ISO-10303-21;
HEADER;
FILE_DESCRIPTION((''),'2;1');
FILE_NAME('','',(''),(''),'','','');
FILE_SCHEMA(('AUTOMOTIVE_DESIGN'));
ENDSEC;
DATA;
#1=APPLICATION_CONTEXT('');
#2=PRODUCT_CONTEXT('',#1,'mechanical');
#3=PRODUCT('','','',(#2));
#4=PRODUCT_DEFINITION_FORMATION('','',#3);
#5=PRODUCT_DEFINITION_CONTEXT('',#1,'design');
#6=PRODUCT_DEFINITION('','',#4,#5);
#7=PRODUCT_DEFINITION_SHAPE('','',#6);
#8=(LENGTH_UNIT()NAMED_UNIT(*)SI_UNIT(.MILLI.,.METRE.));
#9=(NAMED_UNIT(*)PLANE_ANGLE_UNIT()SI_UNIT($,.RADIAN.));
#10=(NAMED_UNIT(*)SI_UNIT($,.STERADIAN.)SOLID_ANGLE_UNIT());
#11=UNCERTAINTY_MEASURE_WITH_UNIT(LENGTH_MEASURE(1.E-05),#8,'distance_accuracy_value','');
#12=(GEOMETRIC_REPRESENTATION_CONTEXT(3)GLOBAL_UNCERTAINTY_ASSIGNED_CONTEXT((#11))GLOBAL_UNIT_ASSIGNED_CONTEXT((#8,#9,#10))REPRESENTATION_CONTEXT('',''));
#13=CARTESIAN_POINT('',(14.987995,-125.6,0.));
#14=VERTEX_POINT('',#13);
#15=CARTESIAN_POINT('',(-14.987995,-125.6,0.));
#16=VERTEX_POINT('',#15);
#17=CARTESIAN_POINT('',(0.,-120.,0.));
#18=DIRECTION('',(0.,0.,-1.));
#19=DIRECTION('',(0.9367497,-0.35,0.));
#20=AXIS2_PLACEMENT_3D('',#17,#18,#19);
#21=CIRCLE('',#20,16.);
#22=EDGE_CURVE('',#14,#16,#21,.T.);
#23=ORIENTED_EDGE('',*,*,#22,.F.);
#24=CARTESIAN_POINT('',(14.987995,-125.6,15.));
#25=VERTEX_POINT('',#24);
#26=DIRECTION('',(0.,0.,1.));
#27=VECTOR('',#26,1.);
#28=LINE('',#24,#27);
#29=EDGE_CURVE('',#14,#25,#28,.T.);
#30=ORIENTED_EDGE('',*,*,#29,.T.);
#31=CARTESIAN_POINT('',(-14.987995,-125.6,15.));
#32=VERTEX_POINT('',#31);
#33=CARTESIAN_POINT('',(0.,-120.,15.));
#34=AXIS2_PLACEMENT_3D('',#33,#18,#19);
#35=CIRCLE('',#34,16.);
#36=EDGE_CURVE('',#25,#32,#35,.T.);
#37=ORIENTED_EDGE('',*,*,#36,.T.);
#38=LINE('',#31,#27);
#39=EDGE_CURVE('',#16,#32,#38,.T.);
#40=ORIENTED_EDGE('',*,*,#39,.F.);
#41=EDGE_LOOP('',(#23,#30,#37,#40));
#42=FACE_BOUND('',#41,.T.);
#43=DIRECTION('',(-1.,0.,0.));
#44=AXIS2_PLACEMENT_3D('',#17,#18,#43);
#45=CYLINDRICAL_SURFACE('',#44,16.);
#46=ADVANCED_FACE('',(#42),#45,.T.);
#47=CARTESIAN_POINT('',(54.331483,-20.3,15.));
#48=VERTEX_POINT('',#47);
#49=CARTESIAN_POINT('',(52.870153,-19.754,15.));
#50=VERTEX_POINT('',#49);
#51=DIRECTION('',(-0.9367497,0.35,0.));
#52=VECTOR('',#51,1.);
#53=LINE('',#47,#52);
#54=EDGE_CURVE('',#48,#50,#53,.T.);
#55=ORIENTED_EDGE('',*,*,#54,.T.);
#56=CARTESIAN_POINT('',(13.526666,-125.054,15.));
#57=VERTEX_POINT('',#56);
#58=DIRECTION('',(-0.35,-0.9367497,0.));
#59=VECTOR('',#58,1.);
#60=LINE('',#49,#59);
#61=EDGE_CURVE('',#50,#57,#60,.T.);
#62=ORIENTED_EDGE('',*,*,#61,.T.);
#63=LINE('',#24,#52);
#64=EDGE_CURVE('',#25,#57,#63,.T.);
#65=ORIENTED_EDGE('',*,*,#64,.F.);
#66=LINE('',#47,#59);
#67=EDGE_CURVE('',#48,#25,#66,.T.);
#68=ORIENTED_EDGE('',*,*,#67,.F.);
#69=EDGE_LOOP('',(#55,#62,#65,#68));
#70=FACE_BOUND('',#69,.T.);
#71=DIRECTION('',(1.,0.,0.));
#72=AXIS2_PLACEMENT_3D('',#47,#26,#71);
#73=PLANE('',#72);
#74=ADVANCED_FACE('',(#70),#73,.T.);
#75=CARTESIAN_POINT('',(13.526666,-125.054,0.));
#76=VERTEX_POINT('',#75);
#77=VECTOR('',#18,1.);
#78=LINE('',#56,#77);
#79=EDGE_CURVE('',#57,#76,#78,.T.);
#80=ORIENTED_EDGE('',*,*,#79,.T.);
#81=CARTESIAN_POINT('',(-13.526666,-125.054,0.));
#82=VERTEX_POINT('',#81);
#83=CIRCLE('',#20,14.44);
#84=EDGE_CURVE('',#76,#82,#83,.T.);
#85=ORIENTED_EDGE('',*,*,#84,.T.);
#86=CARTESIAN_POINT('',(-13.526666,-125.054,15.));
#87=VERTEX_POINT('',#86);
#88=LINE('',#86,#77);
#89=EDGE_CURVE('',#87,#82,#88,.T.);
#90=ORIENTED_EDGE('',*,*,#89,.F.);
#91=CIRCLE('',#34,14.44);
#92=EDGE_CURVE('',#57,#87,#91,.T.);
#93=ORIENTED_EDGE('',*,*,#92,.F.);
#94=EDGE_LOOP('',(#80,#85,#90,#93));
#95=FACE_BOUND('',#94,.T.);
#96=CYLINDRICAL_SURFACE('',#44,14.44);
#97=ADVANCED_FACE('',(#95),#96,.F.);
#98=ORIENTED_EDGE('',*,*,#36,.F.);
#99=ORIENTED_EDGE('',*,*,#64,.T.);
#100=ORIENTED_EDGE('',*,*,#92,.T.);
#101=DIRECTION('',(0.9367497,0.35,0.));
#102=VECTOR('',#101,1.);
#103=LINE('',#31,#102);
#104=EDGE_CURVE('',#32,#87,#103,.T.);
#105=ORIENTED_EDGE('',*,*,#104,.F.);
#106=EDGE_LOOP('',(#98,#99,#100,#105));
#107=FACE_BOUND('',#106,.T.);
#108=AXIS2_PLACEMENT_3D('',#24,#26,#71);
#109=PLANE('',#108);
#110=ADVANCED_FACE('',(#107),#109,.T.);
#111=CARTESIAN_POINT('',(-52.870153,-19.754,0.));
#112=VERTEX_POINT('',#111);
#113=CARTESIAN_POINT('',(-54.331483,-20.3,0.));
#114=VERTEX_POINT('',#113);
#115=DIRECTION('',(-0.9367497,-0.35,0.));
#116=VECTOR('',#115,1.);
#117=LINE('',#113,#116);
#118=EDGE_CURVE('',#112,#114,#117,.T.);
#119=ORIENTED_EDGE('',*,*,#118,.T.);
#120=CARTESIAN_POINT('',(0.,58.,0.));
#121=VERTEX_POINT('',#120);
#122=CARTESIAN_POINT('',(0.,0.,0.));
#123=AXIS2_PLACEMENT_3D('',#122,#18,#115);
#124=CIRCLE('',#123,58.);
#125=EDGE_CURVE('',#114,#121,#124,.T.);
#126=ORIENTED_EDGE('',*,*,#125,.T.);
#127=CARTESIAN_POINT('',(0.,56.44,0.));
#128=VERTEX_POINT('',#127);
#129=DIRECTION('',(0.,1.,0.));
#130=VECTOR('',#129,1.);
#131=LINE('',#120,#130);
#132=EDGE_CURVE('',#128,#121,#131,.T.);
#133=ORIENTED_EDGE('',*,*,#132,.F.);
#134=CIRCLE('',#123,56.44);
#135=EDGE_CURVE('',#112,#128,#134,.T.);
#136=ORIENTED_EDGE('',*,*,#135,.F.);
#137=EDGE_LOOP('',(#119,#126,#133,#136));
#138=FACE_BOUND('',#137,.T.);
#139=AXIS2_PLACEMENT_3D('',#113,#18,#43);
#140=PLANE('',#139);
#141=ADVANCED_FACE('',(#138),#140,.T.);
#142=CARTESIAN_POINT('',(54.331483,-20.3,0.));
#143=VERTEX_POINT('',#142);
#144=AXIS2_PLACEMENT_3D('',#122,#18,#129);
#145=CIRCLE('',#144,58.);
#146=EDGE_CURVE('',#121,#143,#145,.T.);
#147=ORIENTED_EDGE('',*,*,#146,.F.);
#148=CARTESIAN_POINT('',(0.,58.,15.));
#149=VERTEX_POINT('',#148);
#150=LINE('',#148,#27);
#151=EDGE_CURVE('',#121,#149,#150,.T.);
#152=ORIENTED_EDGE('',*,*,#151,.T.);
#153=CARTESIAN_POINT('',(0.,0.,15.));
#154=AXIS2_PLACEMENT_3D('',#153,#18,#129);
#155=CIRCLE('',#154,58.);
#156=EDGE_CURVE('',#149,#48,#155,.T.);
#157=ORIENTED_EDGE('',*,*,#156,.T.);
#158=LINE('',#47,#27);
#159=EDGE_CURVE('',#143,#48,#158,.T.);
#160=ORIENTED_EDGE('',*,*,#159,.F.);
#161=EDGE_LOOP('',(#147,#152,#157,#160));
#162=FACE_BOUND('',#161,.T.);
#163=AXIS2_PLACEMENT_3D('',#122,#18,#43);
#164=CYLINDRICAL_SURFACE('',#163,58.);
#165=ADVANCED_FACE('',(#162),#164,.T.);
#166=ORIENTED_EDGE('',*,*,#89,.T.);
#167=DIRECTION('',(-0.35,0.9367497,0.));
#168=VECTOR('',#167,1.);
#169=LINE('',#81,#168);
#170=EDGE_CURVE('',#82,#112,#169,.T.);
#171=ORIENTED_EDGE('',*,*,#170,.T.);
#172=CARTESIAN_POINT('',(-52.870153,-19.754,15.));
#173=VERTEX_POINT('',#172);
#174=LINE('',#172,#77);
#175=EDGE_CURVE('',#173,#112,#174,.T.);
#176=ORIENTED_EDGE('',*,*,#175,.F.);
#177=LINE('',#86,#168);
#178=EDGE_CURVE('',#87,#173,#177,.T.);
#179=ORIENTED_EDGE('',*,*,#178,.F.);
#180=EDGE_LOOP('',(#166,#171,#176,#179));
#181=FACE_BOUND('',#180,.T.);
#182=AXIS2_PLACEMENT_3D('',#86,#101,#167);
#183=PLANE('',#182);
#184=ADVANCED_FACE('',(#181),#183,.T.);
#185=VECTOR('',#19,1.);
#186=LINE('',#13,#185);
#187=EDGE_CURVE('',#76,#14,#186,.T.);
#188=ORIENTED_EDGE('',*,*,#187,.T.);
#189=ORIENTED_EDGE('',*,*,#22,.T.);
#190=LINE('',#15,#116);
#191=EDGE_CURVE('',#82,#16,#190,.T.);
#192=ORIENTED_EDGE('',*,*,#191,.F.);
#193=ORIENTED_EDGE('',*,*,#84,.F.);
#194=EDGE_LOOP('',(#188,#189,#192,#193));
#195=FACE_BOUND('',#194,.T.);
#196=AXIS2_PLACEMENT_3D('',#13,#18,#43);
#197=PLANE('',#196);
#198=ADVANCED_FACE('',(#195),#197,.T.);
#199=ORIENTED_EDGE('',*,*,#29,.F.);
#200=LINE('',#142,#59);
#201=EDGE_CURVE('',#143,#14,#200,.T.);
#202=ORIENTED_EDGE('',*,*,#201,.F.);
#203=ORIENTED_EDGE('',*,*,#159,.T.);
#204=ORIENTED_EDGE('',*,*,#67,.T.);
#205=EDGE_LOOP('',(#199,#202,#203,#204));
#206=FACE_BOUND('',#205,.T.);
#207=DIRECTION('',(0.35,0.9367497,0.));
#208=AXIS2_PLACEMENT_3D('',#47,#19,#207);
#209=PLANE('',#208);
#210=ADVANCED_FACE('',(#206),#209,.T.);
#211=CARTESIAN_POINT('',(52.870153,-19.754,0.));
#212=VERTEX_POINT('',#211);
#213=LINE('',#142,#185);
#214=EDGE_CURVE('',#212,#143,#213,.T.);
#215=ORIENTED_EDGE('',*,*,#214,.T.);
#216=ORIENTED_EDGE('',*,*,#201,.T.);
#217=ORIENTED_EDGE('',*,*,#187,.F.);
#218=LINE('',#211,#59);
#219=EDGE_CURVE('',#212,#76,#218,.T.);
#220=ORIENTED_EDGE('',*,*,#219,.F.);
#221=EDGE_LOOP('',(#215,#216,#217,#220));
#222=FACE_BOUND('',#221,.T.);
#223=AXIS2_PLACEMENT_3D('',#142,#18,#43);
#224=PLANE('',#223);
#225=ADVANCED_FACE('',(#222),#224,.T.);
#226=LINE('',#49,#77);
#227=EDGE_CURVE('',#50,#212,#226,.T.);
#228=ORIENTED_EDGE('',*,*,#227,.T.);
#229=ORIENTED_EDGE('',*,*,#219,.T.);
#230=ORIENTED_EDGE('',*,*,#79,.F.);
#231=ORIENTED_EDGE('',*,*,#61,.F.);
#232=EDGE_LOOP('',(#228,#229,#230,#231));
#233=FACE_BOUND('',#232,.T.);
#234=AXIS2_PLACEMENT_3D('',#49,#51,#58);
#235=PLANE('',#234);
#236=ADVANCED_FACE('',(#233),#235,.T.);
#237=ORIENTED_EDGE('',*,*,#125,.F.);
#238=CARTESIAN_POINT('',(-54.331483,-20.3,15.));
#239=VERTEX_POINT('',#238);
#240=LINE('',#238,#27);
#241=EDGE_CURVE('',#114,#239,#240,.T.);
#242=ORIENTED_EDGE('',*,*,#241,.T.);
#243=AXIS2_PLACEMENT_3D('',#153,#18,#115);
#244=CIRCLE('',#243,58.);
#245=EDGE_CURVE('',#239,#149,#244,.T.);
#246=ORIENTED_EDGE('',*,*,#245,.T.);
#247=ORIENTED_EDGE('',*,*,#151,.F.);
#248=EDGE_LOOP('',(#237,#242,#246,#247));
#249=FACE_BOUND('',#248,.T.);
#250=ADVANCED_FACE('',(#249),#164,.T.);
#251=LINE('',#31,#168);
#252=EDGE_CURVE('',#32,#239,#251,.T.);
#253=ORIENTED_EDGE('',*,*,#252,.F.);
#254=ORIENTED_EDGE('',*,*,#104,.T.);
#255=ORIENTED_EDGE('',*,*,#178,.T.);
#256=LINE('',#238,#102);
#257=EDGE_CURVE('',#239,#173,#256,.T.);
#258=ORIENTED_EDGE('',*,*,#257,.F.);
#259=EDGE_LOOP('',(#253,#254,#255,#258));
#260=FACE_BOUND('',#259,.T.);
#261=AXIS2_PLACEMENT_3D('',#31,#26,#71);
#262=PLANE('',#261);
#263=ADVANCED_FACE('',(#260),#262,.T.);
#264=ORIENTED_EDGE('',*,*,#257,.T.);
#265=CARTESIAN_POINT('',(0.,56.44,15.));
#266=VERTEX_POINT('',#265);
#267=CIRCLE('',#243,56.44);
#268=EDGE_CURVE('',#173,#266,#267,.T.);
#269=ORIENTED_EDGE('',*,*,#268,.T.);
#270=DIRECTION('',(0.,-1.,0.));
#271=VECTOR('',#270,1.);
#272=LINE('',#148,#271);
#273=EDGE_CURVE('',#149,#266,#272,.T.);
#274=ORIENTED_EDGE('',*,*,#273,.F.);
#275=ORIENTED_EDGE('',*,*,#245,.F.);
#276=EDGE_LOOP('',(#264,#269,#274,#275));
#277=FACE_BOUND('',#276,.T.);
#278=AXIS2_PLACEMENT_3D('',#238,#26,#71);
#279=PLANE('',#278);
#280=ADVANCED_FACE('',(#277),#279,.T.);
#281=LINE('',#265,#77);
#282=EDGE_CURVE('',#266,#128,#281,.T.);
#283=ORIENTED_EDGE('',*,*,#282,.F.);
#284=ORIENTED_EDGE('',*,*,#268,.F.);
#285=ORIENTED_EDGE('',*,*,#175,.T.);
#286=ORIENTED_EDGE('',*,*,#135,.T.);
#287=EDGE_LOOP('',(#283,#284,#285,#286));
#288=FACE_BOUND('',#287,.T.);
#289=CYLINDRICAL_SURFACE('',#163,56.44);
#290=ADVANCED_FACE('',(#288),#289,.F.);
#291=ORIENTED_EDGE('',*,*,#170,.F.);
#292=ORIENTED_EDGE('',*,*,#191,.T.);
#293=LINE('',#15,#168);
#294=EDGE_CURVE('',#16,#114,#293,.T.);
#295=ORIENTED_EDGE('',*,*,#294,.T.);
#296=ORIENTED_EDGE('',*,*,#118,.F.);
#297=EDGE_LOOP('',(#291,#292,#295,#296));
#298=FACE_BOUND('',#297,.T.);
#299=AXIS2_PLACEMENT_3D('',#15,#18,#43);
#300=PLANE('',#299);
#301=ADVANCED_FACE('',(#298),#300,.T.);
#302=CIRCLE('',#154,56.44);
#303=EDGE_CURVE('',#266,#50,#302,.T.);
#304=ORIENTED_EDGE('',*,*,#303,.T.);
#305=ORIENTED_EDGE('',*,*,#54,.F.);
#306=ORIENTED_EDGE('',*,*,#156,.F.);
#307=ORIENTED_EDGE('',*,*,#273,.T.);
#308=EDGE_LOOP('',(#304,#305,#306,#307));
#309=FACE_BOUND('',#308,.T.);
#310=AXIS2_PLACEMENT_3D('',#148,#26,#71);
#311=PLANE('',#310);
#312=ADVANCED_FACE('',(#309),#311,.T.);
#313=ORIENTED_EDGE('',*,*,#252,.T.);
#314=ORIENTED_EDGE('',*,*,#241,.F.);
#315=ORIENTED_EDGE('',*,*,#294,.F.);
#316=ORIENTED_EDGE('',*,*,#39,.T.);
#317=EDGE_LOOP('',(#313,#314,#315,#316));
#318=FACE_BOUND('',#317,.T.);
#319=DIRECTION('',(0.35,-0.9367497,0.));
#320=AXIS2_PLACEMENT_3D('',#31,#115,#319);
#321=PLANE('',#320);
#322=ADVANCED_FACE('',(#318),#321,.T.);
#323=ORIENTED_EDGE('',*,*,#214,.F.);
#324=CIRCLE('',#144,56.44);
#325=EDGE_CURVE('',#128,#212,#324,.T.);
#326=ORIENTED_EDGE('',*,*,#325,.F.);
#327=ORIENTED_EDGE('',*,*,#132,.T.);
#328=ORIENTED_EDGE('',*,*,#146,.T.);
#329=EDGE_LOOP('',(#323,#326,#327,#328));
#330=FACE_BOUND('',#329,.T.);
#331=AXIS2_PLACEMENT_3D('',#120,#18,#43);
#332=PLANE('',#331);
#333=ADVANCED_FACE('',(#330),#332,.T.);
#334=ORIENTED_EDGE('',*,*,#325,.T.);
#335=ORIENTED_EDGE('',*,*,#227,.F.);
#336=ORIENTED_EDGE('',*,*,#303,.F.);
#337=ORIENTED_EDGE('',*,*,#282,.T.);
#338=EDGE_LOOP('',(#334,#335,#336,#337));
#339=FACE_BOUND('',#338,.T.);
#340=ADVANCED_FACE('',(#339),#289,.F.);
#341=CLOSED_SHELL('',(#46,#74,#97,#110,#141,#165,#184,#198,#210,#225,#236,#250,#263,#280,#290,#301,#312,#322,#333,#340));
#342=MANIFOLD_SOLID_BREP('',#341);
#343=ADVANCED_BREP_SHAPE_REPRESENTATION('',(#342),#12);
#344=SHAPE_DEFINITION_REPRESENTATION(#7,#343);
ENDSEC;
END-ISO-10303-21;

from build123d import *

# Parameters (mm, degrees)
SKETCH_2_W = 15
SKETCH_2_H = 1.56


with BuildPart() as part:
    # По траектории1: sweep along a path in Эскиз1
    with BuildLine(Plane.XY) as sweep_1_path:
        Line((-54.331482586, -20.3), (-14.987995196, -125.6))
        ThreePointArc((-14.987995196, -125.6), (0, -136), (14.987995196, -125.6))
        Line((14.987995196, -125.6), (54.331482586, -20.3))
        ThreePointArc((54.331482586, -20.3), (0, 58), (-54.331482586, -20.3))
    # Эскиз2 → По траектории1 (sweep)
    with BuildSketch(Plane(origin=(0, 0, 0), x_dir=(0, 0, -1), z_dir=(1, 0, 0))):
        with Locations((-7.5, 57.22)):
            Rectangle(SKETCH_2_W, SKETCH_2_H)
    sweep(path=sweep_1_path.line)


solid = part.part
